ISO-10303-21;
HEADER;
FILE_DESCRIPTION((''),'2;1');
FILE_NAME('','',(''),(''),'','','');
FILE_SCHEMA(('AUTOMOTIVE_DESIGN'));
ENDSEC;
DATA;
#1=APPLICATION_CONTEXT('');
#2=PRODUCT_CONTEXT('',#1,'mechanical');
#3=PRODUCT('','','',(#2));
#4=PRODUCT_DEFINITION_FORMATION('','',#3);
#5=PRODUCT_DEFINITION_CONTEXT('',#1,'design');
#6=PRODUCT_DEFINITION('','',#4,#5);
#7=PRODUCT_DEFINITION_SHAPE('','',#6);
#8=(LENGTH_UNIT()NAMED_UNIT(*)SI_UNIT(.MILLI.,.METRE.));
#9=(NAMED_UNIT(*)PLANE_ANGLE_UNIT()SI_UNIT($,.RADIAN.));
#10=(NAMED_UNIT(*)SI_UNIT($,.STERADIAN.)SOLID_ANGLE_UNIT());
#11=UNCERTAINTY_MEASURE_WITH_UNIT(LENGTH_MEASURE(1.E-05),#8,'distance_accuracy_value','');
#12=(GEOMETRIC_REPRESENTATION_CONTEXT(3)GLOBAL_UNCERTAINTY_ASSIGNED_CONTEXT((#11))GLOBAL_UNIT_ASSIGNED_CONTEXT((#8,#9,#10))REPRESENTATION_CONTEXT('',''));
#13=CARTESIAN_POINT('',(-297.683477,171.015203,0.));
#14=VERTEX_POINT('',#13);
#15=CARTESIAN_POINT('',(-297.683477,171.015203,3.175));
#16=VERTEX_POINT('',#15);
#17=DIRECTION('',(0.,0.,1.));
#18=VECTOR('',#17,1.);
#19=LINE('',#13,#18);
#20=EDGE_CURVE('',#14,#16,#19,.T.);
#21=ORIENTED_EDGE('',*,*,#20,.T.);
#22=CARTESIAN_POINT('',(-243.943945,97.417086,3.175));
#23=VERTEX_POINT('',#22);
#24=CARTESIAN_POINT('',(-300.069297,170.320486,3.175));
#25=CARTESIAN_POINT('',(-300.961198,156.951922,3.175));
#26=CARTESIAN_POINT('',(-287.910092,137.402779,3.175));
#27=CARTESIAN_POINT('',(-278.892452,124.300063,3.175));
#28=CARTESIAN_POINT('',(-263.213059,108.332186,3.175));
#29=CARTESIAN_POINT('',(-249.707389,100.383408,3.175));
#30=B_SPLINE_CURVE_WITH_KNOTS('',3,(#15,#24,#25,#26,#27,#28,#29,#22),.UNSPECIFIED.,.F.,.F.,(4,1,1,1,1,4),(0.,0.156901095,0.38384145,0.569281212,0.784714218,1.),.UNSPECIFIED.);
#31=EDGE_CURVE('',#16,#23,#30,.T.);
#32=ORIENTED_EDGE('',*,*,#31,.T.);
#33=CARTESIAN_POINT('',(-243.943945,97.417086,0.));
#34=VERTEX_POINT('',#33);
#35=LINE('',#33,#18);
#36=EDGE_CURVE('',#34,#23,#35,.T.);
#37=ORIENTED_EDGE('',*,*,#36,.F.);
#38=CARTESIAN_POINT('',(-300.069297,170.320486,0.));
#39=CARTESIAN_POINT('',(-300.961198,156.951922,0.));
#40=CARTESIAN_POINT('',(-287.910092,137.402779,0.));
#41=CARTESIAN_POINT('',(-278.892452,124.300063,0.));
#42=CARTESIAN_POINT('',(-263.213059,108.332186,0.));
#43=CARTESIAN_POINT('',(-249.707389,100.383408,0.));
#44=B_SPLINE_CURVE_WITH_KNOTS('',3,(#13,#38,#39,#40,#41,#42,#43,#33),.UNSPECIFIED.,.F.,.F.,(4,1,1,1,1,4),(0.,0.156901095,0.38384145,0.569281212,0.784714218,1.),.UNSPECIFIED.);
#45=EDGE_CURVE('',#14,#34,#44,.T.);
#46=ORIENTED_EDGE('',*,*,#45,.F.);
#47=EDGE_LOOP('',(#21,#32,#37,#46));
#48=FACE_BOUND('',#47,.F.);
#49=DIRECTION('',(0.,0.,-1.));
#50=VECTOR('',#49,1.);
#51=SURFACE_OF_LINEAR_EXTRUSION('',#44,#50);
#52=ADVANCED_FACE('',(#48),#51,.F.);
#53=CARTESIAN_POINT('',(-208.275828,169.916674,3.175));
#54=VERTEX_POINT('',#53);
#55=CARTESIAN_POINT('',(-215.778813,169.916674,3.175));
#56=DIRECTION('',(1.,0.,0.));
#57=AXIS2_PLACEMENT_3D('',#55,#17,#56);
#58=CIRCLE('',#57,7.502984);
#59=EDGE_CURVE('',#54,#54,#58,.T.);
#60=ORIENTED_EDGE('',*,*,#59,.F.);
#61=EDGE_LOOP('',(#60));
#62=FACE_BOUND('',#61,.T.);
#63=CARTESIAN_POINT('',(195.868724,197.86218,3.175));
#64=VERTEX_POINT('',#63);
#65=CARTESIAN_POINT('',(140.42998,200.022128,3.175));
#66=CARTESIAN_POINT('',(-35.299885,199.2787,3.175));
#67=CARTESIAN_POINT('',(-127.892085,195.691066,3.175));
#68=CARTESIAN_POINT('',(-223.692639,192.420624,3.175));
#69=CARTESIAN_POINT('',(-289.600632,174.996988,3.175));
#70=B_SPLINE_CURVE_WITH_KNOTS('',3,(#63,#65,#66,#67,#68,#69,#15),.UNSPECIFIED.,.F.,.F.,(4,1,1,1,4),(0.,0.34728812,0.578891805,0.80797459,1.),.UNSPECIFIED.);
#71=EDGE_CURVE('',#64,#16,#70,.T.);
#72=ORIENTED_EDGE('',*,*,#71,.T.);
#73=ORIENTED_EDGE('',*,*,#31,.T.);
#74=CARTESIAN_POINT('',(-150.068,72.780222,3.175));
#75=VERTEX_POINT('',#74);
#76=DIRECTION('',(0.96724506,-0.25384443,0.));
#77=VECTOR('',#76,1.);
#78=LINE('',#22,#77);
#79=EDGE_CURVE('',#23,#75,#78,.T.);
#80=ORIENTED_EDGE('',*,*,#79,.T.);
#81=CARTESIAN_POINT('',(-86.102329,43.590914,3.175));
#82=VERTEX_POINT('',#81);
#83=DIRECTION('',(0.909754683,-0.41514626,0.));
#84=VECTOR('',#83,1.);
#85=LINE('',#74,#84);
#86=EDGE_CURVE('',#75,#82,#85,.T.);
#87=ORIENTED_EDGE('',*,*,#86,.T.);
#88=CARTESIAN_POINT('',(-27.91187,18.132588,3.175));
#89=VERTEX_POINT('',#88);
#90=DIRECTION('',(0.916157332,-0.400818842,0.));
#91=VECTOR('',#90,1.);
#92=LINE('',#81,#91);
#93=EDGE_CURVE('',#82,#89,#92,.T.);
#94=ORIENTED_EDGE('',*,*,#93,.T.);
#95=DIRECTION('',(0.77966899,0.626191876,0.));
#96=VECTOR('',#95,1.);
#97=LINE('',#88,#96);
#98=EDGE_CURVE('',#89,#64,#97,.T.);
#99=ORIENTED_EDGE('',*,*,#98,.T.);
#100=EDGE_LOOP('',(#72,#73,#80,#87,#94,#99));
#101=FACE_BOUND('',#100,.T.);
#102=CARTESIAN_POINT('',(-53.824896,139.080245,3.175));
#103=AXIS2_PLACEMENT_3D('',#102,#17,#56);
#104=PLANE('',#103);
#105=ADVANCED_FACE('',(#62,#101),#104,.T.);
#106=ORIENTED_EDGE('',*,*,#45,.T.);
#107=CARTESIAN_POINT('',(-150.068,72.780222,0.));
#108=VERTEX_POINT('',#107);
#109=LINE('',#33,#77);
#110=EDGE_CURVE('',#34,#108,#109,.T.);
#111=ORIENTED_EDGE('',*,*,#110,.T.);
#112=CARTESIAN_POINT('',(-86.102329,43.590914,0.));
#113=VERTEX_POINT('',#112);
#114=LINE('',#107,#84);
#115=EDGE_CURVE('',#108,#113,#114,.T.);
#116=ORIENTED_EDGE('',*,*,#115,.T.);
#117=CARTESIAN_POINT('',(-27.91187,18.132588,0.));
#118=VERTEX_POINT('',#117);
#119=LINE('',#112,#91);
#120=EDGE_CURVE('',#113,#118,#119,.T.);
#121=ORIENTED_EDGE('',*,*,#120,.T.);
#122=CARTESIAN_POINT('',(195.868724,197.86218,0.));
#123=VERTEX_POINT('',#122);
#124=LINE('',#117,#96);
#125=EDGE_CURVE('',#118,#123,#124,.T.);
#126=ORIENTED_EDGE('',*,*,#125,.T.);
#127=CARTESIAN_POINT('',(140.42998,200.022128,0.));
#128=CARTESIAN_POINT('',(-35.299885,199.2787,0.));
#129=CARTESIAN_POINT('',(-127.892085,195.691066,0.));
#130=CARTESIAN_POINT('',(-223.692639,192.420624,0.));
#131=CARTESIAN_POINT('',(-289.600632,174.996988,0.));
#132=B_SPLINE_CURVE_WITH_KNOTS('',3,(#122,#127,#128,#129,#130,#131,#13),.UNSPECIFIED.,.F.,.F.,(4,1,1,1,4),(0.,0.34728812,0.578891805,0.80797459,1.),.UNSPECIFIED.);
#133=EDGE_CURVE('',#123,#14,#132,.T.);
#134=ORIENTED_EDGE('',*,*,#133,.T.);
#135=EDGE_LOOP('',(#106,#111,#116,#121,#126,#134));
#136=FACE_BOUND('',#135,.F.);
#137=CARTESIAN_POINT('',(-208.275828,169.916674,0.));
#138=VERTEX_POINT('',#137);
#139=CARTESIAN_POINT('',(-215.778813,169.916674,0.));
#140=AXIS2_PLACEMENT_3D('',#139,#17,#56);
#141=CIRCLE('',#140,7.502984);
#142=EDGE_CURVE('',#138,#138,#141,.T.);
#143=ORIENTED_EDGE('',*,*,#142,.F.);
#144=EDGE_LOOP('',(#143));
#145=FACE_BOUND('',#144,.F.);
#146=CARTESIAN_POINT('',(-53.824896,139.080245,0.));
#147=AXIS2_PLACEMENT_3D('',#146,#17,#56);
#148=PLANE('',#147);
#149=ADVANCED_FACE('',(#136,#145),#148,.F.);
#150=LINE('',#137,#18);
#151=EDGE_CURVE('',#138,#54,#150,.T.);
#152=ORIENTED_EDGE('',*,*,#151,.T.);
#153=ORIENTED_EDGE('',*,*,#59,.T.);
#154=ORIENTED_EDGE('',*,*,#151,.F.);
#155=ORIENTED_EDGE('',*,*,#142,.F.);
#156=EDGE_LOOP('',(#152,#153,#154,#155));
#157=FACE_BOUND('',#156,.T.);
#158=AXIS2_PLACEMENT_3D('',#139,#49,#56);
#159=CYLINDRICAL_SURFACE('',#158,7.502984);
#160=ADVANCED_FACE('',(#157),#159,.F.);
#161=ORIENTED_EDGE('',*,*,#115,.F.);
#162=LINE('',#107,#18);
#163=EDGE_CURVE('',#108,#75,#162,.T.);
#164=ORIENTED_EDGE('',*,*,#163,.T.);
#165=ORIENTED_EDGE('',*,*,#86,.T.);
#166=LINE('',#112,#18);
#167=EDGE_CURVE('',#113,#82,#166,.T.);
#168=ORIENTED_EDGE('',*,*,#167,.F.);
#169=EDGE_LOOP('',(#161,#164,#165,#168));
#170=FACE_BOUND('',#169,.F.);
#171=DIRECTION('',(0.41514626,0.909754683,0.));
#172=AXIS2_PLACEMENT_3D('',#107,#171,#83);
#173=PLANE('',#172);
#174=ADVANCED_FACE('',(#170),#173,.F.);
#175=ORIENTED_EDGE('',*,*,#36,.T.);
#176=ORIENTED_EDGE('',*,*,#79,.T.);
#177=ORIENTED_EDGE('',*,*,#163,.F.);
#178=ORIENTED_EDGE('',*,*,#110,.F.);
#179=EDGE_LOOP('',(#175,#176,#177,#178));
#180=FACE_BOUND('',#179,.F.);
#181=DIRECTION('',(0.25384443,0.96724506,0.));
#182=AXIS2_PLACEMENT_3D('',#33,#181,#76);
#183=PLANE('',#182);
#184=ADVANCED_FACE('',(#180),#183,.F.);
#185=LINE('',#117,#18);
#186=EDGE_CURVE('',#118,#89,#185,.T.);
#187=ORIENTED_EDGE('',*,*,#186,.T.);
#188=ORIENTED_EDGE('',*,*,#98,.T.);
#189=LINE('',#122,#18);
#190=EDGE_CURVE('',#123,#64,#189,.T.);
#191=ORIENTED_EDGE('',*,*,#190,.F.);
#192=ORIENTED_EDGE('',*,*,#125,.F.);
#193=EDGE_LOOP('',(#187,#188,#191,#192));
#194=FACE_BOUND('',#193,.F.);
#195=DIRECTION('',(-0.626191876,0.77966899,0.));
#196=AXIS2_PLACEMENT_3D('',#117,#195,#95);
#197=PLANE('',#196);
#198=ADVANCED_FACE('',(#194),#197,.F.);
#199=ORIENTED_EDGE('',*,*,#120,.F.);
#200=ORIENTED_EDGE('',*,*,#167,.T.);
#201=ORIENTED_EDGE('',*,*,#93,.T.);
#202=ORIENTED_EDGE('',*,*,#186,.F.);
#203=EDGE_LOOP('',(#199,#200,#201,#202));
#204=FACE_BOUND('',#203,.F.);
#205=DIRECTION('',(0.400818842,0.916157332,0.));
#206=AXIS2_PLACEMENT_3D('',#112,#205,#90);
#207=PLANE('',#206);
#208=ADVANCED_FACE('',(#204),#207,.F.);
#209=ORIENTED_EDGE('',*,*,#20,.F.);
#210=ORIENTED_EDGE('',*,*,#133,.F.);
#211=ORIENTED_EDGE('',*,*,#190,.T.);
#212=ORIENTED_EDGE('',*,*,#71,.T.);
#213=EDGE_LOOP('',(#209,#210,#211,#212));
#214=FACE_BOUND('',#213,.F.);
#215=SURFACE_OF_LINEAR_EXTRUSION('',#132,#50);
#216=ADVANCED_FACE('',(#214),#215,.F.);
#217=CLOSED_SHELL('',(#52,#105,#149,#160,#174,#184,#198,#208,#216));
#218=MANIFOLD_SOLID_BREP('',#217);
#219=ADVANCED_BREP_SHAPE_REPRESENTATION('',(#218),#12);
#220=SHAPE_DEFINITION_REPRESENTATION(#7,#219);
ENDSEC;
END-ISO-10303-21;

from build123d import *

# Parameters (mm, degrees)
F0_R     = 7.502984442
F1_DEPTH = 3.175


with BuildPart() as f1:
    # F0 (on Top) → F1 (new body)
    with BuildSketch(Plane.XY):
        with BuildLine():
            Line((-27.911869809, 18.1325878948), (195.8687237695, 197.8621801651))
            add(Edge.make_bspline(
                [(195.8687237695, 197.8621801651), (140.4299803505, 200.0221284344), (-35.2998852478, 199.2787000415), (-127.8920854877, 195.6910660496), (-223.6926391791, 192.4206244907), (-289.6006319967, 174.9969882776), (-297.6834774017, 171.0152029991)],
                knots=[0, 0, 0, 0, 0.3472881197, 0.5788918049, 0.8079745903, 1, 1, 1, 1], degree=3))
            add(Edge.make_bspline(
                [(-297.6834774017, 171.0152029991), (-300.0692967947, 170.3204857882), (-300.9611980245, 156.9519217377), (-287.9100924478, 137.4027793564), (-278.8924520905, 124.300063367), (-263.213059042, 108.3321863869), (-249.7073893414, 100.3834082106), (-243.9439445734, 97.4170863628)],
                knots=[0, 0, 0, 0, 0.1569010945, 0.3838414499, 0.5692812122, 0.7847142178, 1, 1, 1, 1], degree=3))
            Line((-243.9439445734, 97.4170863628), (-150.067999959, 72.7802217007))
            Line((-150.067999959, 72.7802217007), (-86.1023291945, 43.590914458))
            Line((-86.1023291945, 43.590914458), (-27.911869809, 18.1325878948))
        make_face()
        with Locations((-215.7788127661, 169.9166744947)):
            Circle(F0_R, mode=Mode.SUBTRACT)
    extrude(amount=F1_DEPTH)


solid = f1.part
